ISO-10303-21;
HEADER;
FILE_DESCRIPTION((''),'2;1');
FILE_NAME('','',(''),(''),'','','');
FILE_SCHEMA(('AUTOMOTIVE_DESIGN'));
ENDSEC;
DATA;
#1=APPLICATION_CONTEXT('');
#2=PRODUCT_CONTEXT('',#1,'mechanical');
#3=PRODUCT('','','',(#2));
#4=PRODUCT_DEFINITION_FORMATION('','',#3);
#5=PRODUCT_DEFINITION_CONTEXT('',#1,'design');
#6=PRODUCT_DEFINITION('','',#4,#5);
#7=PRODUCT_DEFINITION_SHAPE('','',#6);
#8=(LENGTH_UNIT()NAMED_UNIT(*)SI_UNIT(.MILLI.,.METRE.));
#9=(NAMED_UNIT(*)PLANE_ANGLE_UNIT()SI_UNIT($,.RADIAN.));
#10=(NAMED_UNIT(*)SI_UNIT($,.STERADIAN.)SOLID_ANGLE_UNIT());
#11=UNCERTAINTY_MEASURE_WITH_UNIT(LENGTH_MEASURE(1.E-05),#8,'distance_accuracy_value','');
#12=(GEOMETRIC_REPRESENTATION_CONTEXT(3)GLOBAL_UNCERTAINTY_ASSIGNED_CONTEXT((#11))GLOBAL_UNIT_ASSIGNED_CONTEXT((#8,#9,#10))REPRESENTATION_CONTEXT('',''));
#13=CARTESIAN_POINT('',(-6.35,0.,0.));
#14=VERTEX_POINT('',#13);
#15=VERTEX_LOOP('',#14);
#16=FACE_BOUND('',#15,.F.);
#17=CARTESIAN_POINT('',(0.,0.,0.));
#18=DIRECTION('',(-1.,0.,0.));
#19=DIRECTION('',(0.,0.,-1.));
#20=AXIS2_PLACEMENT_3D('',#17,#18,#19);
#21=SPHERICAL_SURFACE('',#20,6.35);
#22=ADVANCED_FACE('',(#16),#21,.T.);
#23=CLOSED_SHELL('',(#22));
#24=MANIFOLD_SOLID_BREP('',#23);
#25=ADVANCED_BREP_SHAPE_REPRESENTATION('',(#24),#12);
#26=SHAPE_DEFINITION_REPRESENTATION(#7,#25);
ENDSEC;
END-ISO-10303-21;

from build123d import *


with BuildPart() as part:
    # Sketch1 → Revolve5 (revolve)
    with BuildSketch(Plane(origin=(0, 0, 0), x_dir=(1, 0, 0), z_dir=(0, 1, 0))):
        with BuildLine():
            Line((-6.35, 0), (6.35, 0))
            ThreePointArc((6.35, 0), (0, 6.35), (-6.35, 0))
        make_face()
    revolve(axis=Axis((-8.843195093, 0, 0), (1, 0, 0)))


solid = part.part
